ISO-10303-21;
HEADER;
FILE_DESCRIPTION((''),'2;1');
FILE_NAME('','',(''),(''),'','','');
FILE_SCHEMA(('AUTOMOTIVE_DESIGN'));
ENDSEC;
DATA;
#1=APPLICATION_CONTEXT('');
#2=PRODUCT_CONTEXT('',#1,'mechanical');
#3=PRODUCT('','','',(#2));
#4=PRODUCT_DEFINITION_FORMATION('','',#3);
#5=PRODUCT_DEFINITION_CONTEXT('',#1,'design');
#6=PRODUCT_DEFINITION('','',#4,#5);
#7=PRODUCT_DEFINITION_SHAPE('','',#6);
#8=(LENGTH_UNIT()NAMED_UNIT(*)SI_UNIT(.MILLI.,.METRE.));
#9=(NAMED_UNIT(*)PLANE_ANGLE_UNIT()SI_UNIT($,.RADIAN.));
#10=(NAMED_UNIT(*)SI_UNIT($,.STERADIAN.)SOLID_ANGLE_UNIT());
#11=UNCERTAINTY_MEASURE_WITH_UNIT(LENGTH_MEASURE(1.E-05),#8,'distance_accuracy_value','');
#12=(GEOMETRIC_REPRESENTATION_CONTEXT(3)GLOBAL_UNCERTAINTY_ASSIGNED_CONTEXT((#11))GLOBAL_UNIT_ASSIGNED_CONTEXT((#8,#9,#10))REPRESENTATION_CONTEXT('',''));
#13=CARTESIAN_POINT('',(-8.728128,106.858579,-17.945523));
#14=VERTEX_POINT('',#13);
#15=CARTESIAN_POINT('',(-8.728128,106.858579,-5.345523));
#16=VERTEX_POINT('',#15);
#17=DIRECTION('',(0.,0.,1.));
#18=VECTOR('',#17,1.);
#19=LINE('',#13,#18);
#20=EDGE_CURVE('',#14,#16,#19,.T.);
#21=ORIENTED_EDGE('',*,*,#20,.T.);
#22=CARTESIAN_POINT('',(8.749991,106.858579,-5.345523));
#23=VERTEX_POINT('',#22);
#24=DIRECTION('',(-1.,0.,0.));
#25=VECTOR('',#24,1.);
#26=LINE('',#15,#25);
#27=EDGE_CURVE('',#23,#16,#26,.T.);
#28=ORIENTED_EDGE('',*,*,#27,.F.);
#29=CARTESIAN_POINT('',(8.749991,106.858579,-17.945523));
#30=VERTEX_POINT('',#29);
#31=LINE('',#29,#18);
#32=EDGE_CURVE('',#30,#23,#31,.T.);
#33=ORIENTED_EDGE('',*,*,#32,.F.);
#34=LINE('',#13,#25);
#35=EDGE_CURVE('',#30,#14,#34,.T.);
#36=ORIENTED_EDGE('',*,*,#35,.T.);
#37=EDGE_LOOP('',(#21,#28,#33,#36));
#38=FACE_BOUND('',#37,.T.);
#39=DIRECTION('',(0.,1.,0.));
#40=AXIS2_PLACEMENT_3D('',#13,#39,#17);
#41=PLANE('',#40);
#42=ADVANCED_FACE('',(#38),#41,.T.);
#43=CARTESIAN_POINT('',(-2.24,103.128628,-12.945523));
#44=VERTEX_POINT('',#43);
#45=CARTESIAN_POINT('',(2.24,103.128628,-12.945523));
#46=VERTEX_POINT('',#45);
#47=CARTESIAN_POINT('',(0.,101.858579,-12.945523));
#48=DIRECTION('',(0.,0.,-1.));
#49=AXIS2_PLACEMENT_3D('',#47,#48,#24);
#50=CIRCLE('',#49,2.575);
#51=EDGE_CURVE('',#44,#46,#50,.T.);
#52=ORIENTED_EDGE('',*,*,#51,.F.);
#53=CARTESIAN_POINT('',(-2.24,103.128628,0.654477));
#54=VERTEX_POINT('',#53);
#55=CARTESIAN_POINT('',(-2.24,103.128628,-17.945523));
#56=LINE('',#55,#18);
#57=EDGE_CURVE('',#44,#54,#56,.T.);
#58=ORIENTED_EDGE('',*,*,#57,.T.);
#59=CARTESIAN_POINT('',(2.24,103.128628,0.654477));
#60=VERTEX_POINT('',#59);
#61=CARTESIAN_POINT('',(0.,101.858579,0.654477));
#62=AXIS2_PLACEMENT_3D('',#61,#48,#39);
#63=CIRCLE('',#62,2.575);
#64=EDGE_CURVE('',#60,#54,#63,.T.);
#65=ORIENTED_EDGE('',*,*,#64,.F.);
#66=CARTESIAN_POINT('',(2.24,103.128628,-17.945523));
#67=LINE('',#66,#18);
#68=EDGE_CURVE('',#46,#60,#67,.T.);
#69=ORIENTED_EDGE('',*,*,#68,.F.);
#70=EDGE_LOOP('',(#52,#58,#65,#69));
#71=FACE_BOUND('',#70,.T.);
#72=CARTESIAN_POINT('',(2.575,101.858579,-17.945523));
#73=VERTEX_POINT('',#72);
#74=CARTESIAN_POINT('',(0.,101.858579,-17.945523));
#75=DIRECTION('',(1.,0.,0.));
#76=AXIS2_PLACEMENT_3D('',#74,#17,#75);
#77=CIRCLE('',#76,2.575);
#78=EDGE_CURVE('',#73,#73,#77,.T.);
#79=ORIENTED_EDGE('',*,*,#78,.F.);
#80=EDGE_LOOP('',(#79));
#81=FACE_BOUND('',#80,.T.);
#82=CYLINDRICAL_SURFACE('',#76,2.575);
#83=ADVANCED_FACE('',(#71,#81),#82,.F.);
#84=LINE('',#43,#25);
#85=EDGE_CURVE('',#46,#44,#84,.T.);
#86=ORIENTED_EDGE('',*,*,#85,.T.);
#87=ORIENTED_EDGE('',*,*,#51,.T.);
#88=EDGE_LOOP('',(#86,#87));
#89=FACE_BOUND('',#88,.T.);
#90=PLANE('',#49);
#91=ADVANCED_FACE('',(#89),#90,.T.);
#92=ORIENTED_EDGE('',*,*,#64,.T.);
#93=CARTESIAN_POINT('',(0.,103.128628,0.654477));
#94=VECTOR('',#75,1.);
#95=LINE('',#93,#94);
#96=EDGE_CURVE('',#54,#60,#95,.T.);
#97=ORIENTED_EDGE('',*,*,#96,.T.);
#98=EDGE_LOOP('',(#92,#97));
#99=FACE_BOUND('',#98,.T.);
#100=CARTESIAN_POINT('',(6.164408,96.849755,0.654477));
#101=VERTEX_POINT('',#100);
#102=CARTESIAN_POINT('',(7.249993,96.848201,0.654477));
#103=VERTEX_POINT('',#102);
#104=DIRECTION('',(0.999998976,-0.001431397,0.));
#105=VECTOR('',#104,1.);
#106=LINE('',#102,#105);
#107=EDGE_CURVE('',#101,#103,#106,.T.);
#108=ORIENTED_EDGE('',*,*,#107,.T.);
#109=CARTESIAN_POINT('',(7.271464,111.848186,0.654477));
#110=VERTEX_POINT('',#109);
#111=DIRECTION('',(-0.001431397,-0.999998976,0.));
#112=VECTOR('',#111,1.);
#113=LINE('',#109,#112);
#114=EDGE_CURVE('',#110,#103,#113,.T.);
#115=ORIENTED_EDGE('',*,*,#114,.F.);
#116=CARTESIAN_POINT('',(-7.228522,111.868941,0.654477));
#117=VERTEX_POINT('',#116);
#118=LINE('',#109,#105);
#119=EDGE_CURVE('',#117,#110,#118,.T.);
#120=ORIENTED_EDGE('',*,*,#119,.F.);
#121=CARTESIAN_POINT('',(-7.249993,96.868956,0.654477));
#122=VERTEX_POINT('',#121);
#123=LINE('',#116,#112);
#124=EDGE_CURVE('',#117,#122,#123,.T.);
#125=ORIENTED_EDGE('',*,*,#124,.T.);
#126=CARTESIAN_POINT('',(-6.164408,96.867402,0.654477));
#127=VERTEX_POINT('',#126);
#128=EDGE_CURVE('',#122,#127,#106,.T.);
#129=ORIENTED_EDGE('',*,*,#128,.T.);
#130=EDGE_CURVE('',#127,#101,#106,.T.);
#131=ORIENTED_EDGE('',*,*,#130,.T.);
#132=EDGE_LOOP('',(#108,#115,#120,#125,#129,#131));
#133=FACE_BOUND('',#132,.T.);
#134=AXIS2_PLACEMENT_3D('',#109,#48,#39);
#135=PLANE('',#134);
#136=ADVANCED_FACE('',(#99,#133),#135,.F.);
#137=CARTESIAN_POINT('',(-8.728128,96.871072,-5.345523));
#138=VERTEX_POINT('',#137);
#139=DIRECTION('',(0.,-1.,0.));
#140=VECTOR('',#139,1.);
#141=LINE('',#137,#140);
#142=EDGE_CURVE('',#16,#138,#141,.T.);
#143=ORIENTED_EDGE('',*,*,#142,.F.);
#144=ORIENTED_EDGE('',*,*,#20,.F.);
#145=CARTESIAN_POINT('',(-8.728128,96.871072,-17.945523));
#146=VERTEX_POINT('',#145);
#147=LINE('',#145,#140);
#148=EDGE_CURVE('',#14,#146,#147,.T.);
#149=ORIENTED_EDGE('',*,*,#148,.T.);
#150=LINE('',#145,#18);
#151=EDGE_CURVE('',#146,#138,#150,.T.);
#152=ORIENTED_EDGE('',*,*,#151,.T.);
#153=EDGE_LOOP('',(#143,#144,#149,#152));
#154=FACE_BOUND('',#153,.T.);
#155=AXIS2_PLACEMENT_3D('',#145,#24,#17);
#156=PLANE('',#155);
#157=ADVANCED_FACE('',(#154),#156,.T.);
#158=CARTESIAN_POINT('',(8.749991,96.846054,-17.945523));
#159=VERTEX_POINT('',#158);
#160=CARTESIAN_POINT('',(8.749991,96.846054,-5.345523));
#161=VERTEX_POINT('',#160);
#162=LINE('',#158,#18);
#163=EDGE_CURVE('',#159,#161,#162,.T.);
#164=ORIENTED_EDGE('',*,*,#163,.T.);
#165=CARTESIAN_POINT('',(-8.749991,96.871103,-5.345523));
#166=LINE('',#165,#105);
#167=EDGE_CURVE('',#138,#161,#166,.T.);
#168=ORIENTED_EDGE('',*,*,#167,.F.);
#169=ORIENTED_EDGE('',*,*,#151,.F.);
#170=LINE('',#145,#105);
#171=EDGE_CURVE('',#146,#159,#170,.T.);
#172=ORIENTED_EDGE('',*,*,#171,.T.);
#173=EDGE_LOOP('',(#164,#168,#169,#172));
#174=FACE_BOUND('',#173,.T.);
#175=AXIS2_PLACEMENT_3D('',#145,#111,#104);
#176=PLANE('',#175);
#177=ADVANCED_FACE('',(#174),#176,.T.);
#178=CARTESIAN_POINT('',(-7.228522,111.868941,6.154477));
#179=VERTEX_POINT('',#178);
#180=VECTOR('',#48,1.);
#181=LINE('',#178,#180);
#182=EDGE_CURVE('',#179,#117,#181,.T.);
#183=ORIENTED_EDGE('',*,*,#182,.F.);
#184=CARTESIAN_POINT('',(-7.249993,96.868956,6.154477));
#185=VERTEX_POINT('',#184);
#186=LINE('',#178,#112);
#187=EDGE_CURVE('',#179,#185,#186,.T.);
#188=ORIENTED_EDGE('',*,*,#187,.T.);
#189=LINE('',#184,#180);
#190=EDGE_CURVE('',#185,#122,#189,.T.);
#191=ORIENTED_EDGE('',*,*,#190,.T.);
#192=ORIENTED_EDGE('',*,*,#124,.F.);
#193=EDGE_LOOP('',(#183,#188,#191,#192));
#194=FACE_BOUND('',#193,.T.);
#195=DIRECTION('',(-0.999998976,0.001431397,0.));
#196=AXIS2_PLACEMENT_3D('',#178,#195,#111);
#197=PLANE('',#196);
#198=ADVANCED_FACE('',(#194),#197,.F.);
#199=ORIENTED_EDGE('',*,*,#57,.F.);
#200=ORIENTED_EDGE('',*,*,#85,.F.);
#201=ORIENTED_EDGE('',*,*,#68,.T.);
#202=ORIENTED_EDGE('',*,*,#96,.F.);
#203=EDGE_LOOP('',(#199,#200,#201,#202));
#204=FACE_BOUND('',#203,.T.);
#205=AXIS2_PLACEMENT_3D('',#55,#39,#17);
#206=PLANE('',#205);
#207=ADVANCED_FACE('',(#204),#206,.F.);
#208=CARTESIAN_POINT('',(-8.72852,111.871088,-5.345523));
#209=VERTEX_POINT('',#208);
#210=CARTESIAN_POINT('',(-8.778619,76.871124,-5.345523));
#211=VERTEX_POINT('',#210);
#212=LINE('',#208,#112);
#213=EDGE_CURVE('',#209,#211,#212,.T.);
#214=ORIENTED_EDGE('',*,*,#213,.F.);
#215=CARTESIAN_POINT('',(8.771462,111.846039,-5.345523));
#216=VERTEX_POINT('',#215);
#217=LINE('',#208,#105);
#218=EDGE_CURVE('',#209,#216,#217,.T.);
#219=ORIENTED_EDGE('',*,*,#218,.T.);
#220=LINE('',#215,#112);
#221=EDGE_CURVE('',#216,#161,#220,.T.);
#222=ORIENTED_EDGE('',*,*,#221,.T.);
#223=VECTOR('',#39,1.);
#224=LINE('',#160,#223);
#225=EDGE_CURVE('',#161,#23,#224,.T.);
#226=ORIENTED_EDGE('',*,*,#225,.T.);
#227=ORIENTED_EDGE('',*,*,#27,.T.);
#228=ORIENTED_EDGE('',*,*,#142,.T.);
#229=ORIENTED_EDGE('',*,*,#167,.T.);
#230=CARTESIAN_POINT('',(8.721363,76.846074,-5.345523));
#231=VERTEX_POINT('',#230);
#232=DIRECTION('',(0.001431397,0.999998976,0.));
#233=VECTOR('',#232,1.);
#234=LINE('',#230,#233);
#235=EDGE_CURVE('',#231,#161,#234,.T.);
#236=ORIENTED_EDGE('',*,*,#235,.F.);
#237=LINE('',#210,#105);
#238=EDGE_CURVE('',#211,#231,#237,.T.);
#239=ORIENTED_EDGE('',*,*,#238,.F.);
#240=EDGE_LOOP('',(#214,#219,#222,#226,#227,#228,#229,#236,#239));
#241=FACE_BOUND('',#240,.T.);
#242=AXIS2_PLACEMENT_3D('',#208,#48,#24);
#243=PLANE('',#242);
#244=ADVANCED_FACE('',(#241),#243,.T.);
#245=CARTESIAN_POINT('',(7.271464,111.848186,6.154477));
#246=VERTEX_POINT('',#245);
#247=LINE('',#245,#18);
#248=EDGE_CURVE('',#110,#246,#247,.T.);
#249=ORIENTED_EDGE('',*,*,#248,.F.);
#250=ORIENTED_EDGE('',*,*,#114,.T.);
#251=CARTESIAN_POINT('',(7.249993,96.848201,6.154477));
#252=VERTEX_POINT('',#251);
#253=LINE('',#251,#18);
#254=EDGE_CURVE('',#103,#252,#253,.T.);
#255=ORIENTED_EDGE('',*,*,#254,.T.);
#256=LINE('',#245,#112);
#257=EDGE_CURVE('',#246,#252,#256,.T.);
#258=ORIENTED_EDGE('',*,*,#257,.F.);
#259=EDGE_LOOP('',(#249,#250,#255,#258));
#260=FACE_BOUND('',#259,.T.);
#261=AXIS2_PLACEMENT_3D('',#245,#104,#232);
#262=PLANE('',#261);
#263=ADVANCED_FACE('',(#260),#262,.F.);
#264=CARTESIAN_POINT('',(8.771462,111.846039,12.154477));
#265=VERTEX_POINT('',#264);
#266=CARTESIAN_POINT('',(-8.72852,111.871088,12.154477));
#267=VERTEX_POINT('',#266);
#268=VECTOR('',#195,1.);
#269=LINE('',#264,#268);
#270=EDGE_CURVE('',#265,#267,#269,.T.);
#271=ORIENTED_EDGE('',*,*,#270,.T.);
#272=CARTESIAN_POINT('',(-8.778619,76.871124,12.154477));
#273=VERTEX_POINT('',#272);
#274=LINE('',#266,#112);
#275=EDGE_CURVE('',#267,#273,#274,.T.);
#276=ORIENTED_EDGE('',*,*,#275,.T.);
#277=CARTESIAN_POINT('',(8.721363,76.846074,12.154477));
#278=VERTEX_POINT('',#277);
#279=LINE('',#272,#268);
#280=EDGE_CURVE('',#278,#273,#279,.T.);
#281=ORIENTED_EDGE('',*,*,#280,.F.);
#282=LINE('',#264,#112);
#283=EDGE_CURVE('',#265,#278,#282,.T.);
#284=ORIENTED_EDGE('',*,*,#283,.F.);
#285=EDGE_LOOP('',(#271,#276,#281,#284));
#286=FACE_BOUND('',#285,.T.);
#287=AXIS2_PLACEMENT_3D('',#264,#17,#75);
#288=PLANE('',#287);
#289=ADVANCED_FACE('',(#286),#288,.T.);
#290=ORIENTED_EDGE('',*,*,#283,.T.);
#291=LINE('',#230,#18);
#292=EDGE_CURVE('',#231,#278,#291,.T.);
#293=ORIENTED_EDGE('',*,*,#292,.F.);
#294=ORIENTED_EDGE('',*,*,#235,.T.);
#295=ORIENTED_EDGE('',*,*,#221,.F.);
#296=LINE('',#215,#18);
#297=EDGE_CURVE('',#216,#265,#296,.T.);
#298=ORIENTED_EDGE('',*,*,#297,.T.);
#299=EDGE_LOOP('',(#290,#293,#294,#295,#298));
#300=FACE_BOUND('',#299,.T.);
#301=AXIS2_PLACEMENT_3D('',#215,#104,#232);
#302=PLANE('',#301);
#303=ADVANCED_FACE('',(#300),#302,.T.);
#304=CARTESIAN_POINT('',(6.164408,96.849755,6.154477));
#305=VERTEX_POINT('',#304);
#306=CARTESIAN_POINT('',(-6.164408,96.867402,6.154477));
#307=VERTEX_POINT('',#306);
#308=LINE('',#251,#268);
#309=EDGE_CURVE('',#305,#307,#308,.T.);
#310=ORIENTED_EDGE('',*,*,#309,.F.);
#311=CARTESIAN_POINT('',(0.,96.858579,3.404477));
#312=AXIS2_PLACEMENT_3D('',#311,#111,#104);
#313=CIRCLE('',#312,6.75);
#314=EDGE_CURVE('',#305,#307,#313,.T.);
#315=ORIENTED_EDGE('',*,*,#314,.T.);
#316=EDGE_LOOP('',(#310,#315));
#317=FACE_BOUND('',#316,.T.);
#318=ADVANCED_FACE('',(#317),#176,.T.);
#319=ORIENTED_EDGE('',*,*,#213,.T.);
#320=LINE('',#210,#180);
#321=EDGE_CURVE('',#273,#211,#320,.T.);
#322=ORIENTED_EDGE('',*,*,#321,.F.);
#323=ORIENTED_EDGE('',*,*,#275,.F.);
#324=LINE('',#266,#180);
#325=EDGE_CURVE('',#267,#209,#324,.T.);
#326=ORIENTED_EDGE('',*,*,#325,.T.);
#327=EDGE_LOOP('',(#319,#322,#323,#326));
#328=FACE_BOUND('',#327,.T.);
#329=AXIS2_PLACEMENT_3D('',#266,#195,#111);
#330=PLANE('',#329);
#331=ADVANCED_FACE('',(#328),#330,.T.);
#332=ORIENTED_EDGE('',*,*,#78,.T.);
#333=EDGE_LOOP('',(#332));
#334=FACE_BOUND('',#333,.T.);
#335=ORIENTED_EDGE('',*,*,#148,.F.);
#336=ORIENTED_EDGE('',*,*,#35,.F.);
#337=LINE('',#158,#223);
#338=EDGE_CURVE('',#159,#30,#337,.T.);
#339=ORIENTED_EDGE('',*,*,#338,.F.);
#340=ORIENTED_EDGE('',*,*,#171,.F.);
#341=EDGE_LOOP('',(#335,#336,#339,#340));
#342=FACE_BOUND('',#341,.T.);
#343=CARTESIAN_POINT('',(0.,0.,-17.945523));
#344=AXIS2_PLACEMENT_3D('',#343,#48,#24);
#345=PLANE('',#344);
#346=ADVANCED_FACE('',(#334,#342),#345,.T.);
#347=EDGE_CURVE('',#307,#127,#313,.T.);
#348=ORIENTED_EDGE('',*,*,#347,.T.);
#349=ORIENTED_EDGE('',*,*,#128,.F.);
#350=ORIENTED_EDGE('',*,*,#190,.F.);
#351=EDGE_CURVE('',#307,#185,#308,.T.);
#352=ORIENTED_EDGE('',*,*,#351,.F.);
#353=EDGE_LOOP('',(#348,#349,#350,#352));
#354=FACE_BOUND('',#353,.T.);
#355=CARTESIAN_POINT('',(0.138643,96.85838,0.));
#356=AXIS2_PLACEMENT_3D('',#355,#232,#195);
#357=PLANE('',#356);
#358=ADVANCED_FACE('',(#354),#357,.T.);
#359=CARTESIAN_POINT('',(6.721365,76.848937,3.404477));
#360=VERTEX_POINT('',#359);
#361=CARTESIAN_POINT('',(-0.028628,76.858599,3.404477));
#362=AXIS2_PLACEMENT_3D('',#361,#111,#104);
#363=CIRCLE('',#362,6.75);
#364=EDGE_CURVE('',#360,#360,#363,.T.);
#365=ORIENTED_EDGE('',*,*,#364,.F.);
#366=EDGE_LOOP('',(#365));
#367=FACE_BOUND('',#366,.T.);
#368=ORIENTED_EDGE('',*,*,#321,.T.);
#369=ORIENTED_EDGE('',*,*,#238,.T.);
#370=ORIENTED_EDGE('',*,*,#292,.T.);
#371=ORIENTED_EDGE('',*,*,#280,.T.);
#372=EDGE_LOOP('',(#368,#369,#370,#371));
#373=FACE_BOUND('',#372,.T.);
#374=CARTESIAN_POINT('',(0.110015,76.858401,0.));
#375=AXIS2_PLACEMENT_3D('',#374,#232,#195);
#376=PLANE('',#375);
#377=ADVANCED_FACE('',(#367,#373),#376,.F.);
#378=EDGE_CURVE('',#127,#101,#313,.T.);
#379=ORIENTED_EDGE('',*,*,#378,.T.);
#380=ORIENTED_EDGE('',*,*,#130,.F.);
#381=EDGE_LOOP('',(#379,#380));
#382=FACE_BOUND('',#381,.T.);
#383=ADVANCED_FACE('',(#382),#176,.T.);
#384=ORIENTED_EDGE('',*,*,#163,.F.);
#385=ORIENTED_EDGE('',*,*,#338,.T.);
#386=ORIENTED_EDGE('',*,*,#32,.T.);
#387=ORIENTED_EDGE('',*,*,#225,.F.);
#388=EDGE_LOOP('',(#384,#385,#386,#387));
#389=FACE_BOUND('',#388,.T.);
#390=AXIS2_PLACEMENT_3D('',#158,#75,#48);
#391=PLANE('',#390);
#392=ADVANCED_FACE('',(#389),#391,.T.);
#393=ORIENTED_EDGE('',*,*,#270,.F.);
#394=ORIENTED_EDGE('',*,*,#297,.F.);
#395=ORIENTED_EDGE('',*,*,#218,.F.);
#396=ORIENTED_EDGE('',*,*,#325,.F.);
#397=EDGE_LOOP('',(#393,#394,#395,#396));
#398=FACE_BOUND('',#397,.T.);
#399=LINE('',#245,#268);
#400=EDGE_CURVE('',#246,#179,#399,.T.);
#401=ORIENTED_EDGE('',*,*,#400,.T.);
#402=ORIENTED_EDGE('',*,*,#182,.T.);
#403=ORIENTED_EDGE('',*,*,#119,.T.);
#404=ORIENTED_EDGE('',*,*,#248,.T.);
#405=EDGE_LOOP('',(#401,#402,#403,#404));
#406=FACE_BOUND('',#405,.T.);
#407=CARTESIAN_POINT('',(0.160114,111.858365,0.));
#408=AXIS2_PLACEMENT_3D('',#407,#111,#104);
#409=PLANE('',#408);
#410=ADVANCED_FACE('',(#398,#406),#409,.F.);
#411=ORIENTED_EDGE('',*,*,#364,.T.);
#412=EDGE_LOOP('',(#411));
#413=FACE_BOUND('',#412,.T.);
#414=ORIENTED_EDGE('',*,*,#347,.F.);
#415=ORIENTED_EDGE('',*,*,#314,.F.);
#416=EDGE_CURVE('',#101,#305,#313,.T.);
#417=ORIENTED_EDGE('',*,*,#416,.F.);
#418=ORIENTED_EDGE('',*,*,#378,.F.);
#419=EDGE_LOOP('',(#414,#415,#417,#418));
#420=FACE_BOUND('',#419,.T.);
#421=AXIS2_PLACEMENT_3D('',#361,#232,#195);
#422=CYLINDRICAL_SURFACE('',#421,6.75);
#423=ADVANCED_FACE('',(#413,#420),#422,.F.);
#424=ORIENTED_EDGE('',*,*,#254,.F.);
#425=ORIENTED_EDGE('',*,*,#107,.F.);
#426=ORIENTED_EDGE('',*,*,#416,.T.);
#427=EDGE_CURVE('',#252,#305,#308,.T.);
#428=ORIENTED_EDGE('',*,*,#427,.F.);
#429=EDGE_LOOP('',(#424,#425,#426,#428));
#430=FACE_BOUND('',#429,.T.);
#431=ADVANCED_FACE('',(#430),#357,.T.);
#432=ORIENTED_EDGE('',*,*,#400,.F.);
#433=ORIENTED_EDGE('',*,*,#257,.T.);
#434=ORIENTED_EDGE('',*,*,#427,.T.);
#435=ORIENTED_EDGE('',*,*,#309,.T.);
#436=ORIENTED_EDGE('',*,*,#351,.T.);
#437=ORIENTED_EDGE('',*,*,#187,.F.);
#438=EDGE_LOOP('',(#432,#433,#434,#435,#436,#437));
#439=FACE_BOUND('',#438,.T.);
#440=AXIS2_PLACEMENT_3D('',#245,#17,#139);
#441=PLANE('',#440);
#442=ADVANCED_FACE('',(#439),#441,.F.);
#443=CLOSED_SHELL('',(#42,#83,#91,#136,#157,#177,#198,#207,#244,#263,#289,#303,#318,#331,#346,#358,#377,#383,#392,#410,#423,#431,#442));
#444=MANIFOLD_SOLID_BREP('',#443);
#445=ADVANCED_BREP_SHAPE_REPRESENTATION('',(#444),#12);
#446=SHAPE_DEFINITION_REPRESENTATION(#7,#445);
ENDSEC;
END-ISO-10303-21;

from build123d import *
from build123d.topology import SkipClean

# Parameters (mm, degrees)
SKETCH3_W           = 17.5
SKETCH3_H           = 17.5
SKETCH3_R           = 6.75
BOSS_EXTRUDE2_DEPTH = 20
BOSS_EXTRUDE1_DEPTH = 12.6
SKETCH4_W           = 17.5
SKETCH4_H           = 17.5
SKETCH4_W_2         = 14.5
SKETCH4_H_2         = 5.5
BOSS_EXTRUDE3_DEPTH = 15
CUT_EXTRUDE1_START  = -5
SKETCH2_R           = 2.575
CUT_EXTRUDE1_DEPTH  = 5
CUT_EXTRUDE2_START  = -18.6
CUT_EXTRUDE2_DEPTH  = 18.6


with BuildPart() as part:
    # Sketch3 → Boss-Extrude2 (new body)
    with BuildSketch(Plane(origin=(0, 96.858578644, 4.362132034), x_dir=(0.999998975550975, -0.0014313968704513535, 0), z_dir=(-0.0014313968704513535, -0.999998975550975, 0))):
        with Locations((0, -0.957655346)):
            Rectangle(SKETCH3_W, SKETCH3_H)
        with Locations((0, -0.957655346)):
            Circle(SKETCH3_R, mode=Mode.SUBTRACT)
    extrude(amount=BOSS_EXTRUDE2_DEPTH)



with BuildPart() as body_2:
    # Sketch1 → Boss-Extrude1 (new body)
    with BuildSketch(Plane.XY.offset(-5.345523312)):
        Polygon((-8.728127561, 96.871072071), (8.749991036, 96.846053921), (8.749991036, 106.858578644), (-8.728127561, 106.858578644), align=None)
        with BuildLine():
            Line((-2.24, 103.128627855), (2.24, 103.128627855))
            ThreePointArc((2.24, 103.128627855), (0, 99.283578644), (-2.24, 103.128627855))
        make_face(mode=Mode.SUBTRACT)
    extrude(amount=-BOSS_EXTRUDE1_DEPTH)


with BuildPart() as part_1:
    add(part.part)

    add(body_2.part)  # Boss-Extrude3 merges body 2
    # Sketch4 → Boss-Extrude3 (add)
    with BuildSketch(Plane(origin=(-0.06932148, 96.85867787, 0), x_dir=(-0.9999989755509748, 0.0014313968704517323, 0), z_dir=(-0.0014313968704517323, -0.999998975550975, 0))):
        with Locations((-0.069321551, -3.404476688)):
            Rectangle(SKETCH4_W, SKETCH4_H)
        with Locations((-0.069321551, -3.404476688)):
            Rectangle(SKETCH4_W_2, SKETCH4_H_2, mode=Mode.SUBTRACT)
    extrude(amount=-BOSS_EXTRUDE3_DEPTH)

    # Sketch2 → Cut-Extrude1 (cut)
    with BuildSketch(Plane(origin=(0, 0, -17.945523312), x_dir=(-1, 0, 0), z_dir=(0, 0, -1)).offset(CUT_EXTRUDE1_START)):
        with Locations(Location((0, 101.858578644, 0), (0, 0, 180))):
            Circle(SKETCH2_R)
    extrude(amount=CUT_EXTRUDE1_DEPTH, mode=Mode.SUBTRACT)

    # Sketch5 → Cut-Extrude2 (cut)
    with SkipClean():  # the faces are left unmerged after this step: merging them gives an invalid solid
        with BuildSketch(Plane(origin=(0, 0, -17.945523312), x_dir=(-1, 0, 0), z_dir=(0, 0, -1)).offset(CUT_EXTRUDE2_START)):
            with BuildLine():
                Line((-2.24, 103.128627855), (2.24, 103.128627855))
                ThreePointArc((2.24, 103.128627855), (0, 99.283578644), (-2.24, 103.128627855))
            make_face()
        extrude(amount=CUT_EXTRUDE2_DEPTH, mode=Mode.SUBTRACT)


solid = part_1.part
